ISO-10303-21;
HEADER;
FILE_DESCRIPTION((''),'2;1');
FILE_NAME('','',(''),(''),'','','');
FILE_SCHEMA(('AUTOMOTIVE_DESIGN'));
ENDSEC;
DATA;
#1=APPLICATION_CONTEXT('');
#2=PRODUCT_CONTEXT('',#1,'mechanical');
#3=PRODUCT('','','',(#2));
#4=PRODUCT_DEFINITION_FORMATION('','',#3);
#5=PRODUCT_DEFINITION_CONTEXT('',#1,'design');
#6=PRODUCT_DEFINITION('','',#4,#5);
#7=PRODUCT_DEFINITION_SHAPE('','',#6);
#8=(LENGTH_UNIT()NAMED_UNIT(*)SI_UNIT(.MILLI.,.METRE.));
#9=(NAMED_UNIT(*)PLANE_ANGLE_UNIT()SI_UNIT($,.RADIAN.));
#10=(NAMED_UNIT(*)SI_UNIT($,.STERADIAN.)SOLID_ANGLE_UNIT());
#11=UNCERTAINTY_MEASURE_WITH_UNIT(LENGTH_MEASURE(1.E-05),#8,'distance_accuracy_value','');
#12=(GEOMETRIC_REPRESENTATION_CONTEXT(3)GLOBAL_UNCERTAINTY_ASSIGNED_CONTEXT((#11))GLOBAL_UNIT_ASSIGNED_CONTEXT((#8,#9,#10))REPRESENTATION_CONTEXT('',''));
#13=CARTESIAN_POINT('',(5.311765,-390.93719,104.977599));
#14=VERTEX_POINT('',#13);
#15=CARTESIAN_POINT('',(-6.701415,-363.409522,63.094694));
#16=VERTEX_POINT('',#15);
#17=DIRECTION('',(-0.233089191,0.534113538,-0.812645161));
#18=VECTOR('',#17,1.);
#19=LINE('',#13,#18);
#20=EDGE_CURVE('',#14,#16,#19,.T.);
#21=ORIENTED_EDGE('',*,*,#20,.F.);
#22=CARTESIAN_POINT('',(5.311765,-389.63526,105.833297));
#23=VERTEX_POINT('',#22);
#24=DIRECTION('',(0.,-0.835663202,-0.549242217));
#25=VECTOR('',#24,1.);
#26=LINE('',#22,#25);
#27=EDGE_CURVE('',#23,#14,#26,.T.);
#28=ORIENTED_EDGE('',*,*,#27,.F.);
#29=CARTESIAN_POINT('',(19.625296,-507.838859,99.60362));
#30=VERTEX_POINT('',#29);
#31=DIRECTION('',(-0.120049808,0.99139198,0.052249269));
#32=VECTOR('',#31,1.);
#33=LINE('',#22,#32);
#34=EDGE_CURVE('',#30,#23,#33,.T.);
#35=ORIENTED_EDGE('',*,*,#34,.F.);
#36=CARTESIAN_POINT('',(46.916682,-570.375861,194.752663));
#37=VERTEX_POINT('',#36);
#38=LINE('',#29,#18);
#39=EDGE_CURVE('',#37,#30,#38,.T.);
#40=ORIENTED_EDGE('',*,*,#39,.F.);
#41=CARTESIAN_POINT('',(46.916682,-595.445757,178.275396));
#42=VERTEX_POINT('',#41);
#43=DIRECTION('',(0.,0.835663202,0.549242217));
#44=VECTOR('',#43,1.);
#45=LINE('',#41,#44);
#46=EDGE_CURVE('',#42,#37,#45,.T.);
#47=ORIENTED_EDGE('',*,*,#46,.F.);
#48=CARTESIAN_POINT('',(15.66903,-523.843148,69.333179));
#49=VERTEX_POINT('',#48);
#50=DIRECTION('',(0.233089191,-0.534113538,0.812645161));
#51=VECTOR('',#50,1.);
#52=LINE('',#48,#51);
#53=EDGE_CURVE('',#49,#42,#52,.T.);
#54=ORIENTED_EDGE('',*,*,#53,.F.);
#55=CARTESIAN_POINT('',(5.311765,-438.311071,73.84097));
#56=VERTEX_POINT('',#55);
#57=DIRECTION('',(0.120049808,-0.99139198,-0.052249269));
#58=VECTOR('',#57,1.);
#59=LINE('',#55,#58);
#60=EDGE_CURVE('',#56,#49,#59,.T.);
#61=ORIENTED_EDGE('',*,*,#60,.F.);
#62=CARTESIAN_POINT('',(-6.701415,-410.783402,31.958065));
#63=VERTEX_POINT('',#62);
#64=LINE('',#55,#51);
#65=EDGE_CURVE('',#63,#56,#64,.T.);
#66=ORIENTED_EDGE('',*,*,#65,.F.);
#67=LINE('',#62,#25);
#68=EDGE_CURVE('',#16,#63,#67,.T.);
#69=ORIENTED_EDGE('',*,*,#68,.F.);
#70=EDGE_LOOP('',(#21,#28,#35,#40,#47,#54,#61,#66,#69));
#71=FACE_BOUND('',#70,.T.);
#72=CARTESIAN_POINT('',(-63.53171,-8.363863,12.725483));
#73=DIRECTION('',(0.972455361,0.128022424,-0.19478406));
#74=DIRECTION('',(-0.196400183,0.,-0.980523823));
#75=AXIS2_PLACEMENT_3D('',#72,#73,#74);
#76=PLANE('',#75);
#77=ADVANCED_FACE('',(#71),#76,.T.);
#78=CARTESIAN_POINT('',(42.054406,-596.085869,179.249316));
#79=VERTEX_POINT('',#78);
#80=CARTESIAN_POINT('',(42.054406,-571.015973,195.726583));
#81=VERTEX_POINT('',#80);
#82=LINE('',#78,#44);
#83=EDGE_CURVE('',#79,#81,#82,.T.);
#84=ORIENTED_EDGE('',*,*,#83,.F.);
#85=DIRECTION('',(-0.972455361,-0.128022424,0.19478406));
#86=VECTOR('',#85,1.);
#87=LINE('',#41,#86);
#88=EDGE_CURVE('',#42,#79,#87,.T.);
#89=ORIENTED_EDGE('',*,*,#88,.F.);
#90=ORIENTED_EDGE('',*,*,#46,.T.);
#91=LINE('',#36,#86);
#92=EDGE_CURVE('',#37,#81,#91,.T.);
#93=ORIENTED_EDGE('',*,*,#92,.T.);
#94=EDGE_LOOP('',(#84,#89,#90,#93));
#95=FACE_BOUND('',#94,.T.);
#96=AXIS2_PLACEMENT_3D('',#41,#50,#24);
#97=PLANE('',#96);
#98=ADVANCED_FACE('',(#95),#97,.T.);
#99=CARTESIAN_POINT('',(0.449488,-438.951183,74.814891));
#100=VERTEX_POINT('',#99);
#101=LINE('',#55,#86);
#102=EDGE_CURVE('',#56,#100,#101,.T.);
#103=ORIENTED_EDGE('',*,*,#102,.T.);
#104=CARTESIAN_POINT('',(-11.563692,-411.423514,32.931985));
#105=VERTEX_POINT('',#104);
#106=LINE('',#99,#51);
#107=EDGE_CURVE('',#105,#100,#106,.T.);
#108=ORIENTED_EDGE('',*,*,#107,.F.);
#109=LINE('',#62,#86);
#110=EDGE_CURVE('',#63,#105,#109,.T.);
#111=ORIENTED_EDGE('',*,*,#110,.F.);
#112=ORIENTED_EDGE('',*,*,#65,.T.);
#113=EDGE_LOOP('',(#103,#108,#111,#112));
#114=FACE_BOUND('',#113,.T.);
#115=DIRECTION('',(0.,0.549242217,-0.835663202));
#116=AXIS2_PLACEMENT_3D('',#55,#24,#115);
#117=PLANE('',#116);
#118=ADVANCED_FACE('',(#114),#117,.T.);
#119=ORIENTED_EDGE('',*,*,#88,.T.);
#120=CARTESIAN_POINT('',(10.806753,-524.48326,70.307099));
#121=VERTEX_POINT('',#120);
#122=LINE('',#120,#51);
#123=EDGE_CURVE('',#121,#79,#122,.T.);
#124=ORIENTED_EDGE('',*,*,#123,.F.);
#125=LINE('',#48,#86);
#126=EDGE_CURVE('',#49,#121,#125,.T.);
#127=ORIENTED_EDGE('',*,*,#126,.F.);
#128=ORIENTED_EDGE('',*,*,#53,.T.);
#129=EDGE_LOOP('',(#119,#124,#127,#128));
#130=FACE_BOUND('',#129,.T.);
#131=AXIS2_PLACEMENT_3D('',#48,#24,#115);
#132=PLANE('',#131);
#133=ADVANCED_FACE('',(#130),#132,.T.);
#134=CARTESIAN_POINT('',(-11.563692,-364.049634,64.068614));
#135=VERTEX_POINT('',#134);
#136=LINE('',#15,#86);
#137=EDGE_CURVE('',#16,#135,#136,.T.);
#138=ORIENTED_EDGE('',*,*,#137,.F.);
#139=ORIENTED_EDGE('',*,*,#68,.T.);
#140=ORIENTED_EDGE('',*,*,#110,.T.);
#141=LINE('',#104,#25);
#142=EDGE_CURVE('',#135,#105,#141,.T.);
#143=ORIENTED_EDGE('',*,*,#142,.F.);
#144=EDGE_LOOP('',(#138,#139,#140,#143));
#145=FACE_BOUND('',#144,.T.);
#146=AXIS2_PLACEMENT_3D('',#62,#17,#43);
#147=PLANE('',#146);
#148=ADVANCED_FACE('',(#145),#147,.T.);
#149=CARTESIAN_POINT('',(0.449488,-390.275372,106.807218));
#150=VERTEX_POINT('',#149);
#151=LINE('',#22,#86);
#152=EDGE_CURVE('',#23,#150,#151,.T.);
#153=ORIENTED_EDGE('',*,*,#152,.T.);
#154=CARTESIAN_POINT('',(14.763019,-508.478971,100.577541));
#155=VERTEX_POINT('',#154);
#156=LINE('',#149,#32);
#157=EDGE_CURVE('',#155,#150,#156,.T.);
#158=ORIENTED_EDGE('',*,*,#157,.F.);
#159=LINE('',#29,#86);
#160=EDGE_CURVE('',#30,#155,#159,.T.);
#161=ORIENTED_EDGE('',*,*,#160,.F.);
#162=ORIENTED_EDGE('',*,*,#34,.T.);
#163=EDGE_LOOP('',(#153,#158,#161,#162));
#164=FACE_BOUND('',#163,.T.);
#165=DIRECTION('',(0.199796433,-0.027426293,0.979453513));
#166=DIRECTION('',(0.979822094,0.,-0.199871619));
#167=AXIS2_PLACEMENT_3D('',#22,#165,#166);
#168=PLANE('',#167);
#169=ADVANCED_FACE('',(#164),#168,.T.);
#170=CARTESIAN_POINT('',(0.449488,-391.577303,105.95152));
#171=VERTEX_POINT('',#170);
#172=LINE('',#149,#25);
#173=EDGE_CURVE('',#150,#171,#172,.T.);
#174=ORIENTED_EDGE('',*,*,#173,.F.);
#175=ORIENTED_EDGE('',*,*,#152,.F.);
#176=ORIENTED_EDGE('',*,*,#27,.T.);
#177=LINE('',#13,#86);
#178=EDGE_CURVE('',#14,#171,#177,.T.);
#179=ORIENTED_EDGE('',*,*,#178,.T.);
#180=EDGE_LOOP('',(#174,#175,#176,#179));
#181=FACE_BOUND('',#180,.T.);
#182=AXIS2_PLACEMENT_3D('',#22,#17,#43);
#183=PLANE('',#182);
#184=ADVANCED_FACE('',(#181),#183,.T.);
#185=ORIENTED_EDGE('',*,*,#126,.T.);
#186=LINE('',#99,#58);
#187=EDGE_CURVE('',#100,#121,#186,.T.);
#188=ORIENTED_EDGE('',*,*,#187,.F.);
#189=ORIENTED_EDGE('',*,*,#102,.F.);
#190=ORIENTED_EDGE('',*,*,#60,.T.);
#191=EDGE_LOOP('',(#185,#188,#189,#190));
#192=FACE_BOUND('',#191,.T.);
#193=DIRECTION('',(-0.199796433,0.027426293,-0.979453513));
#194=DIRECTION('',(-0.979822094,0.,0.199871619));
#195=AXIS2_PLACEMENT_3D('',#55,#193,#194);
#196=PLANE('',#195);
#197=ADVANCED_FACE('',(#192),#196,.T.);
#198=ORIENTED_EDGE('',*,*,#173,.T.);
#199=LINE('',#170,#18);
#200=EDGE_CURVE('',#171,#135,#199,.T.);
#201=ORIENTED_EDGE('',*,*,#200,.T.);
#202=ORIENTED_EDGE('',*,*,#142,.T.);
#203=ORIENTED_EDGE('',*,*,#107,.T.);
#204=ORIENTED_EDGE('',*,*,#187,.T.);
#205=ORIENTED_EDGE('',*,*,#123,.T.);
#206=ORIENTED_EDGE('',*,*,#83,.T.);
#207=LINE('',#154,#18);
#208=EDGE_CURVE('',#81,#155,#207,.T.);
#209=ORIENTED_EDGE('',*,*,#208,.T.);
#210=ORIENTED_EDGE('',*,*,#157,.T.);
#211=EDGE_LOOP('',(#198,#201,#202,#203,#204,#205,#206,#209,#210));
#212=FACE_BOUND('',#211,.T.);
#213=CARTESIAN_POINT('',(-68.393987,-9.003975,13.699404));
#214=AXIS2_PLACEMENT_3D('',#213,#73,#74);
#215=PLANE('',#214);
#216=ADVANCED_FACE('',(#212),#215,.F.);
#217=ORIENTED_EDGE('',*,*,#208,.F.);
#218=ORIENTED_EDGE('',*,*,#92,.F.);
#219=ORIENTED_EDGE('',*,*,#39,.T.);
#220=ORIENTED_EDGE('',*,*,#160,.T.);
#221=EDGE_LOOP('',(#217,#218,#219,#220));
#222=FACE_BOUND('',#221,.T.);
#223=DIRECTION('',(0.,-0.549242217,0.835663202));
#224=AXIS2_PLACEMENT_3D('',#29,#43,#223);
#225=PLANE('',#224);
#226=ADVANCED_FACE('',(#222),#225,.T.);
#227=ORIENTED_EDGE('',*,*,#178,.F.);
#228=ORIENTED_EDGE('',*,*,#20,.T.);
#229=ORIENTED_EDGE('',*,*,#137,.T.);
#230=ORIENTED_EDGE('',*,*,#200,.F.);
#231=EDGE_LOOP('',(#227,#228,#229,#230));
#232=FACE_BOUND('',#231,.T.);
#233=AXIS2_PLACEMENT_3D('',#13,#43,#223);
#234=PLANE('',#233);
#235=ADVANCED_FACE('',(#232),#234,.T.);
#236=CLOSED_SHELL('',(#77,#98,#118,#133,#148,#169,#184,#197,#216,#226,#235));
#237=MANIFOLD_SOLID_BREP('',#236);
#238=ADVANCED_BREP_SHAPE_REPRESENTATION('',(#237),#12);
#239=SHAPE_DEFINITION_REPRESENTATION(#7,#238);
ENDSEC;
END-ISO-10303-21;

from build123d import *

# Parameters (mm, degrees)
BOSS_EXTRUDE1_DEPTH = 5


with BuildPart() as part:
    # Sketch1 → Boss-Extrude1 (new body)
    with BuildSketch(Plane(origin=(-68.393987025, -9.003975274, 13.699403605), x_dir=(0.193117752, 0.025423689, 0.98084615), z_dir=(-0.972455361, -0.128022424, 0.19478406))):
        Polygon((94.9260126, -386.995373369), (88.574683282, -506.05602004), (185.581785057, -571.620177961), (168.782752396, -596.475609996), (57.713123785, -521.407016695), (62.308943144, -435.254780286), (19.608153336, -406.394611545), (51.352814744, -359.425997935), (94.053604552, -388.286166677), align=None)
    extrude(amount=-BOSS_EXTRUDE1_DEPTH)


solid = part.part
